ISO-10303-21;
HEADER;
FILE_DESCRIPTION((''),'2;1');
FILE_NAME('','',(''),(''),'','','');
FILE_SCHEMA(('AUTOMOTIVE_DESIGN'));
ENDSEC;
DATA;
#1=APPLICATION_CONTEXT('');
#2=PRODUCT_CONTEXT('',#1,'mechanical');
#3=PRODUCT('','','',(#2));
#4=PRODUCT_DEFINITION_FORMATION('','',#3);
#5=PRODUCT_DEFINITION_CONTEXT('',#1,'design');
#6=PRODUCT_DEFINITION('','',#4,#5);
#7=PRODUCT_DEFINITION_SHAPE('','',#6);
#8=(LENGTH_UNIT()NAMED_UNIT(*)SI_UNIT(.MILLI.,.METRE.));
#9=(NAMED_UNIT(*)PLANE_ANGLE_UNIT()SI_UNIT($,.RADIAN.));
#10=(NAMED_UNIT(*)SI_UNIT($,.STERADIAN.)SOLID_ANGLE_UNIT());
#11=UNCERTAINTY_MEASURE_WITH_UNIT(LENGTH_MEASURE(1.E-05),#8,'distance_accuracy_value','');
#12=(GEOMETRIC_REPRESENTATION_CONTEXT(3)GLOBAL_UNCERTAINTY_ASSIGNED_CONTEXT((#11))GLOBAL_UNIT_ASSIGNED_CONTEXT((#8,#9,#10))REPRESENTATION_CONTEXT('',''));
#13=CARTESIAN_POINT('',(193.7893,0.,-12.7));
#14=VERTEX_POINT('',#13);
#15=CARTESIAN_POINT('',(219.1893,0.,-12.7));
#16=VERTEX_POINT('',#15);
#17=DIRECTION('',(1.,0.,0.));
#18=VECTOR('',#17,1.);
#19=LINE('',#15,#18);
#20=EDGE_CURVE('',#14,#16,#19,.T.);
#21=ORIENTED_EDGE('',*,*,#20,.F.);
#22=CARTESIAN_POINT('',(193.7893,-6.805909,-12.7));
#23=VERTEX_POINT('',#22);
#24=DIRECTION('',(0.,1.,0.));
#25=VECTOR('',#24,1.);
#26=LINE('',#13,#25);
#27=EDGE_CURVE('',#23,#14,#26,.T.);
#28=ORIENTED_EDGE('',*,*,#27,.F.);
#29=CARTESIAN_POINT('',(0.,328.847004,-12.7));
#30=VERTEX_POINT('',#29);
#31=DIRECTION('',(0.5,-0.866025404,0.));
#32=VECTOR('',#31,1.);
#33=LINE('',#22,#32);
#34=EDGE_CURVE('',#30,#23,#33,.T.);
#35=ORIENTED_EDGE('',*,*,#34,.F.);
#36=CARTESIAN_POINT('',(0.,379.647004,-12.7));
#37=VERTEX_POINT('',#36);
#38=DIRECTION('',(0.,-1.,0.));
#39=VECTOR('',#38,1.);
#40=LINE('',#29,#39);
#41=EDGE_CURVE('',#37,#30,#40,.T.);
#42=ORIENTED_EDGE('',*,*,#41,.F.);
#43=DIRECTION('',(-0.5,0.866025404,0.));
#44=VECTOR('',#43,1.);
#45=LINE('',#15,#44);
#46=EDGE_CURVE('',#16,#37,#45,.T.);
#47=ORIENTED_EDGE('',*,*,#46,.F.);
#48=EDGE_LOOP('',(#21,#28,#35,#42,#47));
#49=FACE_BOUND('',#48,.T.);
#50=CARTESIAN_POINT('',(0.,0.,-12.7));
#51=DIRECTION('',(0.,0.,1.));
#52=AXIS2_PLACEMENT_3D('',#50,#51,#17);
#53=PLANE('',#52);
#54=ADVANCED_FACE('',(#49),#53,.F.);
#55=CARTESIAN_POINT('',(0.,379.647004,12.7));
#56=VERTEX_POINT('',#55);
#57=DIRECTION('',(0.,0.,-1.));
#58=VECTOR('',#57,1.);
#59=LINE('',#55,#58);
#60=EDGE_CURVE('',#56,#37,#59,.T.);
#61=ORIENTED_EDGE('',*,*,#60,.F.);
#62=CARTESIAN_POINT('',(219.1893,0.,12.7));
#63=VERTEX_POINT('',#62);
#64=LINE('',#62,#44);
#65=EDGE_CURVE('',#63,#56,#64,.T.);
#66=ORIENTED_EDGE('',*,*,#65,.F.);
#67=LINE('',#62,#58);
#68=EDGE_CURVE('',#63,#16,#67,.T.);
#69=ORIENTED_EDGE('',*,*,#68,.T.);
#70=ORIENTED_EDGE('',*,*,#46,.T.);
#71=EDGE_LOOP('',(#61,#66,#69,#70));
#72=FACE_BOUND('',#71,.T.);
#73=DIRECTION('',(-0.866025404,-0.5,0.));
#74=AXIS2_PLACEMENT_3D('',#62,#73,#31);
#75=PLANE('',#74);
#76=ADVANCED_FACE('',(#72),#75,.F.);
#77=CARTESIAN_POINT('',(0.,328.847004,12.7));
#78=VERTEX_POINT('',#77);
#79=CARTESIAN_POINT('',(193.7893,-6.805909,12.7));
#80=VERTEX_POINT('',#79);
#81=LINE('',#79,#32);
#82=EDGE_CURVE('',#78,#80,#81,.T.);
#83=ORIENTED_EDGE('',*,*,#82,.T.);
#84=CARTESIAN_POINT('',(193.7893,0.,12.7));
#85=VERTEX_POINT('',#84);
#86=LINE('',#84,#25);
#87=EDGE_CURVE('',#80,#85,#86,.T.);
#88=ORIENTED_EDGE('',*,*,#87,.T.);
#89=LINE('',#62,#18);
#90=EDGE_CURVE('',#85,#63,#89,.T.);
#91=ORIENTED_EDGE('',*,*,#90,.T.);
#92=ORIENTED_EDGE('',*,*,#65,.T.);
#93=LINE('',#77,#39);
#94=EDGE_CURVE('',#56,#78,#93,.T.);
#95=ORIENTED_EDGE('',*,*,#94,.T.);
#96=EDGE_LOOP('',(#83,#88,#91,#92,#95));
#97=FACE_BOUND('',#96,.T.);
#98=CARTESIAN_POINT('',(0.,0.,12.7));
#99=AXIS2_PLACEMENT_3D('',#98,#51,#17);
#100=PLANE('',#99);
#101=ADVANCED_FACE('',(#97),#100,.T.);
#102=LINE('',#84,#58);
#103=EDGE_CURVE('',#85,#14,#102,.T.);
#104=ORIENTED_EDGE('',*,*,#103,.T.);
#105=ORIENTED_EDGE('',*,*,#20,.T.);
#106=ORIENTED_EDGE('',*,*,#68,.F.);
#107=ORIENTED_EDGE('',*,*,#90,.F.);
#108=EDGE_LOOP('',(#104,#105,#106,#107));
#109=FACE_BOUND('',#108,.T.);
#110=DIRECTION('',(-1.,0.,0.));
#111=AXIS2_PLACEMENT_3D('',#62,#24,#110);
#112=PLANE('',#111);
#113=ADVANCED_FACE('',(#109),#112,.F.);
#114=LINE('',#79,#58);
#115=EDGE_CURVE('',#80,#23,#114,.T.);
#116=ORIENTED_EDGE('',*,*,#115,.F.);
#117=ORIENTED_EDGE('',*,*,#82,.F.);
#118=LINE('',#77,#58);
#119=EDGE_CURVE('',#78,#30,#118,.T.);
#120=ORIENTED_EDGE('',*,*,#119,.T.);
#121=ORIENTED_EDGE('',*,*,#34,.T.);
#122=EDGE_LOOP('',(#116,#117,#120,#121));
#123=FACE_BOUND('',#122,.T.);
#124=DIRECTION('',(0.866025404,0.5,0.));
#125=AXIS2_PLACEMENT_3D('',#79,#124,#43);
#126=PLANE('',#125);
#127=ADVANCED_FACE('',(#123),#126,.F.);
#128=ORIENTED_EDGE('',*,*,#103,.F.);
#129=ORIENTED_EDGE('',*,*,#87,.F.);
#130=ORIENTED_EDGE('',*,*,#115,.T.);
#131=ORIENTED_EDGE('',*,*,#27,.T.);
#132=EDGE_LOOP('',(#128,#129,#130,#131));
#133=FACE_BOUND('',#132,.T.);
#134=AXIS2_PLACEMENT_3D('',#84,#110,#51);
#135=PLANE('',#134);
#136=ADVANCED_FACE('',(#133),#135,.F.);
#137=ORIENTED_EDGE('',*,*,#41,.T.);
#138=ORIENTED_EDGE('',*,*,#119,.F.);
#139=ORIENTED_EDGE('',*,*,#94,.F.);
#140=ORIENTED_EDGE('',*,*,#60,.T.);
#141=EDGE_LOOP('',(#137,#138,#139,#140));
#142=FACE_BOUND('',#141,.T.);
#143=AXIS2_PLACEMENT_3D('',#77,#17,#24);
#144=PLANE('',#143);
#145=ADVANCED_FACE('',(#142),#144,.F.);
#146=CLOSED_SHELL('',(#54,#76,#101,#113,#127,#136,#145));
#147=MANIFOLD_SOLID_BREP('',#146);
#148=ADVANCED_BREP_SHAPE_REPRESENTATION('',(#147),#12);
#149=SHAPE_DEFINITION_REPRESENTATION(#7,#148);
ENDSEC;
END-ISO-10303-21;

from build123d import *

# Parameters (mm, degrees)
BOSS_EXTRUDE1_DEPTH = 12.7


with BuildPart() as part:
    # Sketch1 → Boss-Extrude1 (new, symmetric)
    with BuildSketch(Plane.XY):
        Polygon((219.1893, 0), (0, 379.647004075), (0, 328.847004075), (193.7893, -6.805909488), (193.7893, 0), align=None)
    extrude(amount=BOSS_EXTRUDE1_DEPTH, both=True)


solid = part.part
